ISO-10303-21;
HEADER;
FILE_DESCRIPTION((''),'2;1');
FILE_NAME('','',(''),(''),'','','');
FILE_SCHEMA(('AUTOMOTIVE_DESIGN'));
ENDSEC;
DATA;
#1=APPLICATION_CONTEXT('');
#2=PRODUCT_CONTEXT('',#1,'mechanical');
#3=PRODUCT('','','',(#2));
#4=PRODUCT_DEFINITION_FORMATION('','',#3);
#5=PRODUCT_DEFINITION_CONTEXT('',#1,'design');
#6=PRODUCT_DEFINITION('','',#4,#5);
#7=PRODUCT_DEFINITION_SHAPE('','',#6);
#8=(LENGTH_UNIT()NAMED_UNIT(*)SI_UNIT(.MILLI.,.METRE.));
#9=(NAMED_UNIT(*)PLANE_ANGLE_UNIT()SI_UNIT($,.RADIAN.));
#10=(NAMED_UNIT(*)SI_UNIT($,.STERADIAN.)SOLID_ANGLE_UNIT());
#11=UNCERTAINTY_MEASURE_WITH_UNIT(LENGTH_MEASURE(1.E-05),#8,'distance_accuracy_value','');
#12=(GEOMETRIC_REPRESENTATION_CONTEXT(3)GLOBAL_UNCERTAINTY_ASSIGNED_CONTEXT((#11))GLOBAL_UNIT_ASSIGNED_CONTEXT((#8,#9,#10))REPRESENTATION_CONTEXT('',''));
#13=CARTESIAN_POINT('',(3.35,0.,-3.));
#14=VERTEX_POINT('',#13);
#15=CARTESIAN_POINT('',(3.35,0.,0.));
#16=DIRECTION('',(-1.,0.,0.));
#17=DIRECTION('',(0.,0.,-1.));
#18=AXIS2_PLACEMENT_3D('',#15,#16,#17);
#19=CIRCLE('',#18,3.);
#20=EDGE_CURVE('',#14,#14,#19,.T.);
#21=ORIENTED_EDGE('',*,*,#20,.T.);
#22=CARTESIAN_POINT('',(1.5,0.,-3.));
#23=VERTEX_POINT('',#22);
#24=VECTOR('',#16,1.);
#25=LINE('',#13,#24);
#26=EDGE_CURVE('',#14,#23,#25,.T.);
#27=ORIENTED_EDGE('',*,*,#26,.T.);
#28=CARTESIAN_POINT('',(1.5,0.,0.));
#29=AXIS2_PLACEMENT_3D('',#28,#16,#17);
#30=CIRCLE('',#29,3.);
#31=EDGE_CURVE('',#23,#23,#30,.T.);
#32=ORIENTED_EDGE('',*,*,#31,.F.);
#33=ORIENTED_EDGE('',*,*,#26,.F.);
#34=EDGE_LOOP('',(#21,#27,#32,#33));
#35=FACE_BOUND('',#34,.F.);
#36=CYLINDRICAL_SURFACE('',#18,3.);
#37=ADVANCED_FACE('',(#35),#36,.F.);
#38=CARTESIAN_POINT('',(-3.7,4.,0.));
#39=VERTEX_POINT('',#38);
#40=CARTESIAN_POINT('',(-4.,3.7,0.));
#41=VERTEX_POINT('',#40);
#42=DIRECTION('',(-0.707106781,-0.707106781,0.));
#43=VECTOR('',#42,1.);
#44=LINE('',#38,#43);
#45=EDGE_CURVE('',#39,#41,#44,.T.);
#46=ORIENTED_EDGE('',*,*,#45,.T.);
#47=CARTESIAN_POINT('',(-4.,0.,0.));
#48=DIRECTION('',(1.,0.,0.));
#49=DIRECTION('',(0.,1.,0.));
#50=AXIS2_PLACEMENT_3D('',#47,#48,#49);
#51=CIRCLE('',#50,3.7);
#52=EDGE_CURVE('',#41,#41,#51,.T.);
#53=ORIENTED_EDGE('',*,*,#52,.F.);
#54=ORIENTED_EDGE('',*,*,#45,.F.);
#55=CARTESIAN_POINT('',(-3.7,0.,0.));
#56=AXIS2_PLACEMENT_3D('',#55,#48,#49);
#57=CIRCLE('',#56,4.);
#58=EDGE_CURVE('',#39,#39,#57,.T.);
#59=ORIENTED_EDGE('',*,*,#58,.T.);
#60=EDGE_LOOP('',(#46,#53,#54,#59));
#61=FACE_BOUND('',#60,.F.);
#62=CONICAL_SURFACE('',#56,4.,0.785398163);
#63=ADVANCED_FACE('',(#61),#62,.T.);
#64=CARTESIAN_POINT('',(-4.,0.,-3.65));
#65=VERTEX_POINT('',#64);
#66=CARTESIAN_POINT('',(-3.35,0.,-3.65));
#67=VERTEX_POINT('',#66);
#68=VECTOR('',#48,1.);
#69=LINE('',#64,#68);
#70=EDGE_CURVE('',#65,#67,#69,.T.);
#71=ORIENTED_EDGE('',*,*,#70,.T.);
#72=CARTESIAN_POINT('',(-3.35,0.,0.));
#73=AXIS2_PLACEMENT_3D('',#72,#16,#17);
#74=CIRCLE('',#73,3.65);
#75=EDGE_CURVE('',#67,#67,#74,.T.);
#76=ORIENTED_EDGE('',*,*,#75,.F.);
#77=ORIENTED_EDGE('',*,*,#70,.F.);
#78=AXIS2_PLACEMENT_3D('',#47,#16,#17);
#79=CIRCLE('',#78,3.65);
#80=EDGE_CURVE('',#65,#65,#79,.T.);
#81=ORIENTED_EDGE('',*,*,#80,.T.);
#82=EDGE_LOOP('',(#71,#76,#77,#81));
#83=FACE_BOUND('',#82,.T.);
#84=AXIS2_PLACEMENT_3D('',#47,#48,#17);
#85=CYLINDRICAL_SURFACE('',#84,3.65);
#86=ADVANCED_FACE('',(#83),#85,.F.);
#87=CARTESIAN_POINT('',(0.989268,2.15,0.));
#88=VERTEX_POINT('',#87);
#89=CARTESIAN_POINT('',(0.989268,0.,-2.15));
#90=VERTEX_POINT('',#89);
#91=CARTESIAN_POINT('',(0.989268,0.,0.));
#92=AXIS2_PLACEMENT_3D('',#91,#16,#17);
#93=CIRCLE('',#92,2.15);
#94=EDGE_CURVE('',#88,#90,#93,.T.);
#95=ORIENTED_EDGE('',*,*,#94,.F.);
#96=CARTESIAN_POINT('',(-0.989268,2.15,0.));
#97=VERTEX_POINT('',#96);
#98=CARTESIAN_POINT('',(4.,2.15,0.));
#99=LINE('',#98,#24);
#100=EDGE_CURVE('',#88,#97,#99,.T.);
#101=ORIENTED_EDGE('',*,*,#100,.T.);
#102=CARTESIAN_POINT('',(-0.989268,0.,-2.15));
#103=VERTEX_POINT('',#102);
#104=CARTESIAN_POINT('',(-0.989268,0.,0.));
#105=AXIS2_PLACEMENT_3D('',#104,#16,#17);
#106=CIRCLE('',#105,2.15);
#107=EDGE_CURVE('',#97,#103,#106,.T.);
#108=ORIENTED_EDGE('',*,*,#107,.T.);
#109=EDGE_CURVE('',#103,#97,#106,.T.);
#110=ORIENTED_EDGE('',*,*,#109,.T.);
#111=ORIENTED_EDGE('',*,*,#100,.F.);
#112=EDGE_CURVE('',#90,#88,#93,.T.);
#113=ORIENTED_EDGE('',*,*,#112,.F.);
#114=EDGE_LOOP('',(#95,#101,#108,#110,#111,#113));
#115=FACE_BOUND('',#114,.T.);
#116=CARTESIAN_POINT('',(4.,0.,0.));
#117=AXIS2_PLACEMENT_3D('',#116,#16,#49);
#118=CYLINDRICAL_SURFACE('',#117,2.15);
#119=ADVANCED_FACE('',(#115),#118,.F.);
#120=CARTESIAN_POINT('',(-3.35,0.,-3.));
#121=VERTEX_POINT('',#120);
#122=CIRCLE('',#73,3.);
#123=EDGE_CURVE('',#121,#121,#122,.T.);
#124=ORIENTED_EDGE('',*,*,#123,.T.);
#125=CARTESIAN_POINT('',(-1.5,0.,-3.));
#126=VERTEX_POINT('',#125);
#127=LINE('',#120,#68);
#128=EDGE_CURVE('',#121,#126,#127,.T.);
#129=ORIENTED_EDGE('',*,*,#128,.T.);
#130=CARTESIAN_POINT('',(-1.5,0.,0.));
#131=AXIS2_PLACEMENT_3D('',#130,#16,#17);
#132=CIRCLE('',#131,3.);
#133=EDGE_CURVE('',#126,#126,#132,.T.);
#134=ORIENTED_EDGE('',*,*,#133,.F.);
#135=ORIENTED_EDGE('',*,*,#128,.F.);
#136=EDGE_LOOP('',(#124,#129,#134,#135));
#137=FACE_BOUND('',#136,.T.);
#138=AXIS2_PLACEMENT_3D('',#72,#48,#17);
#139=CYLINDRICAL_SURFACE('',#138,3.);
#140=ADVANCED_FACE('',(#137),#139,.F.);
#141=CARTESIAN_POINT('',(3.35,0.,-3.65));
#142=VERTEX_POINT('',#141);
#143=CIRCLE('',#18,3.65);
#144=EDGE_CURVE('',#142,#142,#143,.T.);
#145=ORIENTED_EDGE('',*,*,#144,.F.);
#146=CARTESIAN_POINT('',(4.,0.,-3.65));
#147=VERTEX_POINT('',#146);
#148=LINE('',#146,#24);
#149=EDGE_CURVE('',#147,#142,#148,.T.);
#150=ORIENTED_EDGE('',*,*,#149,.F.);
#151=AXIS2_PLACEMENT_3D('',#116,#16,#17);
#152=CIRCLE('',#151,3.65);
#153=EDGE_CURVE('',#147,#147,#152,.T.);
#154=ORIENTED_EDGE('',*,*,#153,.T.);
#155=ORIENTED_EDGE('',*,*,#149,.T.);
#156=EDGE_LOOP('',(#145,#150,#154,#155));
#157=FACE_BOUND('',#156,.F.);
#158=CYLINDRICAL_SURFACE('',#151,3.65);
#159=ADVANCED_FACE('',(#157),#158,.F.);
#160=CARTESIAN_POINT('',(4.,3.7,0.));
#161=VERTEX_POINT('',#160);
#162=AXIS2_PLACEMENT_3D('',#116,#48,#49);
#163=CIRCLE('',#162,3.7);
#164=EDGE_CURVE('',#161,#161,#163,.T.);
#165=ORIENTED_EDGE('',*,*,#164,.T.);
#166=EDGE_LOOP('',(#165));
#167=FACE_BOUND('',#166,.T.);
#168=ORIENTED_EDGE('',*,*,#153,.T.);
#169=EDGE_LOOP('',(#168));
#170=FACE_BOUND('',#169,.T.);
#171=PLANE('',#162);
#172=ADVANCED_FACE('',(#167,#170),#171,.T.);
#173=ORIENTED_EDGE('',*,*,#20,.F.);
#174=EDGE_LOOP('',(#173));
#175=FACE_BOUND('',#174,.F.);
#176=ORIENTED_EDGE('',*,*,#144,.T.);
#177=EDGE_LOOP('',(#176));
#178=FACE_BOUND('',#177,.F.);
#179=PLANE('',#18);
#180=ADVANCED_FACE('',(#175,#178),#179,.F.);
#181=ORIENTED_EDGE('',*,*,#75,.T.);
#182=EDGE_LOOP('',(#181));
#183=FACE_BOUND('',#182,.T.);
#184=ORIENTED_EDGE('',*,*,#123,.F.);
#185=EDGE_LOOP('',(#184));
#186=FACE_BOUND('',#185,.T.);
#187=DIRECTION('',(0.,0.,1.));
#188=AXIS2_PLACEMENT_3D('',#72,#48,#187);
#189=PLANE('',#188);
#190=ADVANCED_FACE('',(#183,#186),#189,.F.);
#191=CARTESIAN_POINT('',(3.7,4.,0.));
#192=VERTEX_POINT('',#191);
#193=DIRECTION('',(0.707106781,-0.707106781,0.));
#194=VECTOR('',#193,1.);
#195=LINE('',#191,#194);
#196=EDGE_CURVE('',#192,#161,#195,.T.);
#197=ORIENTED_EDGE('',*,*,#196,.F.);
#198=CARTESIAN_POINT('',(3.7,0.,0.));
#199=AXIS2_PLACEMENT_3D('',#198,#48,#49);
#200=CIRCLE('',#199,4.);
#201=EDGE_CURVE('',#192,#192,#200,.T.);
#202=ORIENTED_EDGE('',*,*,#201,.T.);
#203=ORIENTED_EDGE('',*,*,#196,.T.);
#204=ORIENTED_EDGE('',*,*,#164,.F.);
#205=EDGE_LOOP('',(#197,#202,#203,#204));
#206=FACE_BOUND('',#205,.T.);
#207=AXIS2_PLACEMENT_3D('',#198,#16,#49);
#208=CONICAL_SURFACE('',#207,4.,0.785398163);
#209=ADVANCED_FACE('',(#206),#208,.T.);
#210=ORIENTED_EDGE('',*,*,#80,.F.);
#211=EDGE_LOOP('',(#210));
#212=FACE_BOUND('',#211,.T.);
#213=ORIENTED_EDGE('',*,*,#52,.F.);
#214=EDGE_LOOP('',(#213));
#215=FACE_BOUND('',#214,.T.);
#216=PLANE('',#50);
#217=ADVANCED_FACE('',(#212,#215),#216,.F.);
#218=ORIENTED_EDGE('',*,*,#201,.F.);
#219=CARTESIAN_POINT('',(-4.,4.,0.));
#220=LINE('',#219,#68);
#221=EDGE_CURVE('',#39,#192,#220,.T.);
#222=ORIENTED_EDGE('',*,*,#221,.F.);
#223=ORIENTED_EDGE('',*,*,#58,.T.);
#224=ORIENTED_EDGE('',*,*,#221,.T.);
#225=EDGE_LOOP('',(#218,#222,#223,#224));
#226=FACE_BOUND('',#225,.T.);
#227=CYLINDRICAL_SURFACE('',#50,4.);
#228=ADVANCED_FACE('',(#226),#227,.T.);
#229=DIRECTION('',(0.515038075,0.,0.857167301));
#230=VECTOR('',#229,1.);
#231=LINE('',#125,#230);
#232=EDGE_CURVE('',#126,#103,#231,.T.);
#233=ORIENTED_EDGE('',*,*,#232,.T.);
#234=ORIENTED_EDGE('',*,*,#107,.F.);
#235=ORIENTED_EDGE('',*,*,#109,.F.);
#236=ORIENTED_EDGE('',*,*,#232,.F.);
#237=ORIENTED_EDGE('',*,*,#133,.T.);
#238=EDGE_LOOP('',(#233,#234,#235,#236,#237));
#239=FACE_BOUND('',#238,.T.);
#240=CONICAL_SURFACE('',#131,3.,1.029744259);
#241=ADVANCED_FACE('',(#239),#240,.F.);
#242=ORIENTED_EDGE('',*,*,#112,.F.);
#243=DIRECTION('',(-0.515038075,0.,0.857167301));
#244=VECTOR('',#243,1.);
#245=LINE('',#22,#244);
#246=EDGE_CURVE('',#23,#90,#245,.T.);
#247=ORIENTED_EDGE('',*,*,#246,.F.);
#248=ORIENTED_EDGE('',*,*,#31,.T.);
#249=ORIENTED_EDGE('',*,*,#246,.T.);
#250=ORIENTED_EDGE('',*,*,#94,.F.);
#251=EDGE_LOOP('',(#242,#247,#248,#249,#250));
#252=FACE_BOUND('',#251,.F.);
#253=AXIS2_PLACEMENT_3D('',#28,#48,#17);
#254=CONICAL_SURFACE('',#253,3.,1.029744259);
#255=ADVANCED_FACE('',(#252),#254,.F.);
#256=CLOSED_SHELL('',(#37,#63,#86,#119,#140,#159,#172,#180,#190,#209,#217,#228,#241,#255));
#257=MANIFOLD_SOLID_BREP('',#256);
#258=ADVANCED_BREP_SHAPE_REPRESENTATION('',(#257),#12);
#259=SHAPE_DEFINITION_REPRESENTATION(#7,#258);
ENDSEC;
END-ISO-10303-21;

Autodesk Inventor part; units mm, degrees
ref_plane "YZ Plane" through (0, 0, 0) normal (1, 0, 0) x (0, 1, 0)
ref_plane "XZ Plane" through (0, 0, 0) normal (0, 1, 0) x (-1, 0, 0)
ref_plane "XY Plane" through (0, 0, 0) normal (0, 0, 1) x (1, 0, 0)
sketch "スケッチ1" plane through (0, 0, 0) normal (0, 0, 1) x (1, 0, 0)
  line L0 (-4, 4) -> (4, 4)
  line L1 (4, 4) -> (4, 2.15)
  line L2 (4, 2.15) -> (-4, 2.15)
  line L3 (-4, 2.15) -> (-4, 4)
  line L4 (0, 0) -> (0, 4.5155) construction
  line L5 (0, 0) -> (8.3877, 0) construction
  dimension "d0" = 8
  dimension "d1" = 4.3
  dimension "d2" = 8
revolve "回転1" add sketch "スケッチ1" angle 360 about axis through (0, 0, 0) along (1, 0, 0)
chamfer "面取り1" distance 0.3 angle 45 2 edges at (4, -4, 0) (-4, -4, 0)
sketch "スケッチ2" plane through (4, 0, 0) normal (1, 0, 0) x (0, 0, -1)
  point P0 (0, 0)
  point P1 (0, 0)
hole "穴1" at (4, 0, 0) direction (-1, 0, 0) diameter 6 depth 2.5 tip angle 118 counterbore diameter 7.3 counterbore depth 0.65
mirror "ミラー1" about plane through (0, 0, 0) normal (1, 0, 0) of "穴1"
properties part number "BELT_SUPPORT_OUTER"
